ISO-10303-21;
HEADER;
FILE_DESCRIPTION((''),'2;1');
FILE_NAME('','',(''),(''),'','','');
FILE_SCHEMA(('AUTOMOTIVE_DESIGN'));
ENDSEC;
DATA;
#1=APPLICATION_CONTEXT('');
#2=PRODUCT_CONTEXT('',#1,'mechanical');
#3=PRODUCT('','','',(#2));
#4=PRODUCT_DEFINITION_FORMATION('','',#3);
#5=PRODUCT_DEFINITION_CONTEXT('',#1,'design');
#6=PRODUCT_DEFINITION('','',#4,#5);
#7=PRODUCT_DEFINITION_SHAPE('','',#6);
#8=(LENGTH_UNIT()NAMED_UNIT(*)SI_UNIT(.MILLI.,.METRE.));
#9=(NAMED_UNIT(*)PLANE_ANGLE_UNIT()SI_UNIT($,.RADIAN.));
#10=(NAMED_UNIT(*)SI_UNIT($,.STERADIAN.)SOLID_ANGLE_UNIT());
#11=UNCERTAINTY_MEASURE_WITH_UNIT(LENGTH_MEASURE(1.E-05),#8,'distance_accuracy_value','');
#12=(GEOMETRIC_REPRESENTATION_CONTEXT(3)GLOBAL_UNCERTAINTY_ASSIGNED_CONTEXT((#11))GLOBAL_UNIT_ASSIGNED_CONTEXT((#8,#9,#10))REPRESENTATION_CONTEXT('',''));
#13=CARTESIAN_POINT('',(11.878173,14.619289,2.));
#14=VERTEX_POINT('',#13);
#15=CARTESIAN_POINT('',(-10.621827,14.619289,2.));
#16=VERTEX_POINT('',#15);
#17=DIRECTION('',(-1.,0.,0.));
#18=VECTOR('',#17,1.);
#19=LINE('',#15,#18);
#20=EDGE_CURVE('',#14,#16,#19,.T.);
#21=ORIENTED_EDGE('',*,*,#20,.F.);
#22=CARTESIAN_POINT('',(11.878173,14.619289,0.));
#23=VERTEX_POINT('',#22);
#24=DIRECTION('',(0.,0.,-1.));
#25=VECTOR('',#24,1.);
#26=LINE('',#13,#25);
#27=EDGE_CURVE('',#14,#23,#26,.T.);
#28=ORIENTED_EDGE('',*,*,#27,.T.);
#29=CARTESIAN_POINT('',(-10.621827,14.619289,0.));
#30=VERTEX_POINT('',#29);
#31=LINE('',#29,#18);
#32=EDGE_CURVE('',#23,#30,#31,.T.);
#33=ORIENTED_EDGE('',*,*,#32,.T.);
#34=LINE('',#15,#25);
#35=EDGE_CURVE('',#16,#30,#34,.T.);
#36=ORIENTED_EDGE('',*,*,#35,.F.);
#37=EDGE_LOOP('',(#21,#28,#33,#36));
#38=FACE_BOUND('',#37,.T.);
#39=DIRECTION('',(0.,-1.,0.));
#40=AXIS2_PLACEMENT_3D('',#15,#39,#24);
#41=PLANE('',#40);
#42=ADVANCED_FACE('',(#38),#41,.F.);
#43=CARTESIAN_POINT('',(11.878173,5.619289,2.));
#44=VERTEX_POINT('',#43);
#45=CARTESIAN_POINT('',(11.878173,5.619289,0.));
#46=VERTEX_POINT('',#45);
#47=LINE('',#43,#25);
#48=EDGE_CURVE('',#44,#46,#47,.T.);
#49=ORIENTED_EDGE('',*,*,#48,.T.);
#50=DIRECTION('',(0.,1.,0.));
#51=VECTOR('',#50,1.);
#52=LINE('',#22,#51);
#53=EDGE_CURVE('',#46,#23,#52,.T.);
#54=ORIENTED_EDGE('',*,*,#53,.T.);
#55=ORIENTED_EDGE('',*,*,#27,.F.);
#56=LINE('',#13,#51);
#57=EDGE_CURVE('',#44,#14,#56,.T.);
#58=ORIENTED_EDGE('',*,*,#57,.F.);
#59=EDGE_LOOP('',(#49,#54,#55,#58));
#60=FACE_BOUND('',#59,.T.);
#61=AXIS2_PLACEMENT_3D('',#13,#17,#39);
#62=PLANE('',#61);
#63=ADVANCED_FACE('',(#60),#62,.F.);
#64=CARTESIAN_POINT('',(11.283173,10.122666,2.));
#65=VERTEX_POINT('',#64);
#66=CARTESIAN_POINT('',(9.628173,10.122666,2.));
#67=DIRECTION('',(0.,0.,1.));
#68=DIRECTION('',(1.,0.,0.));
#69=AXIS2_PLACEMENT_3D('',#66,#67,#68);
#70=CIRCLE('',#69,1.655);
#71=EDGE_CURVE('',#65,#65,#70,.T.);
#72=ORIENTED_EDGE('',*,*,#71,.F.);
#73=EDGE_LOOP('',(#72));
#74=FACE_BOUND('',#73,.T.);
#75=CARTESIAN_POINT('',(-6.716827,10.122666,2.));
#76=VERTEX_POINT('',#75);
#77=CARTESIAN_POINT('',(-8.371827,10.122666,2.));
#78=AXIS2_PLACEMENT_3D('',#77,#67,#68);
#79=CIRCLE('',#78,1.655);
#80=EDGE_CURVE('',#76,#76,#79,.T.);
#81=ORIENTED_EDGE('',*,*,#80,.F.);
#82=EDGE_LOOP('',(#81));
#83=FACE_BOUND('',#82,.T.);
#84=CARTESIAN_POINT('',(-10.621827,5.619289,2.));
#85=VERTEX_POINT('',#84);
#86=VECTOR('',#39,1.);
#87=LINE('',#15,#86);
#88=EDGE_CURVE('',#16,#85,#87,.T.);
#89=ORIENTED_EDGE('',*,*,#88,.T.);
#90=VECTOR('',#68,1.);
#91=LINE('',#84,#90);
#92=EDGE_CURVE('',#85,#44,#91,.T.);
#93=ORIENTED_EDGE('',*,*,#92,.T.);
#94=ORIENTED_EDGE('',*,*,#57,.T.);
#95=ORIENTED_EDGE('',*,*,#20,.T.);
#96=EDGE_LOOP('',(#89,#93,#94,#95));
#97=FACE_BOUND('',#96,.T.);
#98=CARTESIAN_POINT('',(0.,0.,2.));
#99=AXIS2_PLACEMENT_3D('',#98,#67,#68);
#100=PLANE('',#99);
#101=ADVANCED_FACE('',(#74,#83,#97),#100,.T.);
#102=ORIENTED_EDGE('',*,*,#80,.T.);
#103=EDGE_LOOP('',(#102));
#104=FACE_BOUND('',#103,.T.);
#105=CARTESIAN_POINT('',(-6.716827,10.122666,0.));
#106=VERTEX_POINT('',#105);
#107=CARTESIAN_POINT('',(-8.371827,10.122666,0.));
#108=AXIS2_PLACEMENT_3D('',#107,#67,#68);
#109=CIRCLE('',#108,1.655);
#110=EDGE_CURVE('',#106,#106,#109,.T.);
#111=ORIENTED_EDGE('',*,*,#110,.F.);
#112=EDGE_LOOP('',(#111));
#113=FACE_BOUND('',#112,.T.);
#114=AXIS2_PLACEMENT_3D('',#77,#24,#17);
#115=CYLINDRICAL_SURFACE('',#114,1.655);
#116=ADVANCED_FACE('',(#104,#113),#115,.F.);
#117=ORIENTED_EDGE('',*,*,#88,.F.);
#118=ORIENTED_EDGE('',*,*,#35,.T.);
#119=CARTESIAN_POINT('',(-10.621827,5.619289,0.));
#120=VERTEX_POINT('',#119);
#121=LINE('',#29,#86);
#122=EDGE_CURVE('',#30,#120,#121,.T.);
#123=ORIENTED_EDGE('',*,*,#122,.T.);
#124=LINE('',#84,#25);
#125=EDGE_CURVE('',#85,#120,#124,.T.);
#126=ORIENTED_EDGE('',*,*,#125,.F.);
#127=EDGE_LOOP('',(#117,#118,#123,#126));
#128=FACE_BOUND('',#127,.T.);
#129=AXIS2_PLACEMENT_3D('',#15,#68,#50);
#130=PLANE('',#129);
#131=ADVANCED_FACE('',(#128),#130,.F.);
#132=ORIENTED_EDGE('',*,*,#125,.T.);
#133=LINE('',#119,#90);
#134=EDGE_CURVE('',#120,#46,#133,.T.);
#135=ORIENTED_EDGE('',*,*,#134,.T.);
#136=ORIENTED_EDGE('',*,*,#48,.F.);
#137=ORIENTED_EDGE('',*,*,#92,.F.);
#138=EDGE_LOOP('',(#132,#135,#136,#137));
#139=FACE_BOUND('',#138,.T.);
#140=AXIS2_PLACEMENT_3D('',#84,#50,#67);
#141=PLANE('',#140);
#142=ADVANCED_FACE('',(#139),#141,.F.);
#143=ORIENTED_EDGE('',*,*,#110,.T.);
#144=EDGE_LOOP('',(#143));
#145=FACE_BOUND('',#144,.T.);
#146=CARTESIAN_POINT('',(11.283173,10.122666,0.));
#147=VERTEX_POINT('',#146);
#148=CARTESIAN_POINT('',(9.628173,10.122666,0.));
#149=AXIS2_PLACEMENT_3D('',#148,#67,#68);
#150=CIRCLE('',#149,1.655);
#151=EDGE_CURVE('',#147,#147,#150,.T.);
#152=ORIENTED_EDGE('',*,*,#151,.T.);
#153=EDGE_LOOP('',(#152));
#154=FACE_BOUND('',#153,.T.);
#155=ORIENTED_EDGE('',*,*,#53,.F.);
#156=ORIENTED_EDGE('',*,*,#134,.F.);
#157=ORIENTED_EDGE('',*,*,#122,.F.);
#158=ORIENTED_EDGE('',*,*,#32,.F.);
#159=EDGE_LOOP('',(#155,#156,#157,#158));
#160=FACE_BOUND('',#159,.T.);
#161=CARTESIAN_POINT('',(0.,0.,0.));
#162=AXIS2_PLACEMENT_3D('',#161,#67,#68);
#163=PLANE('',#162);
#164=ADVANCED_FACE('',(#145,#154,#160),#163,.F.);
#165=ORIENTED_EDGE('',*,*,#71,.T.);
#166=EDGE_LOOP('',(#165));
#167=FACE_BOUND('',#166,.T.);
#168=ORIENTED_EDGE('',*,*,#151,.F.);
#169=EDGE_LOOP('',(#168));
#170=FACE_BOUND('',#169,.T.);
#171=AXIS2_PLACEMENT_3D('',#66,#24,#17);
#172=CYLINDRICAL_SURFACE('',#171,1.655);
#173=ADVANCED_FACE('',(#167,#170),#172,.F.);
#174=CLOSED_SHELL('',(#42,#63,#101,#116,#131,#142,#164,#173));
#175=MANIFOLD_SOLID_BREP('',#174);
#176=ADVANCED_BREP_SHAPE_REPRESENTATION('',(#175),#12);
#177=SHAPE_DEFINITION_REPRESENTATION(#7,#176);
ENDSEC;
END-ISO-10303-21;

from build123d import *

# Parameters (mm, degrees)
SKETCH1_W           = 22.5
SKETCH1_H           = 9
SKETCH1_R           = 1.655
BOSS_EXTRUDE1_DEPTH = 2


with BuildPart() as part:
    # Sketch1 → Boss-Extrude1 (new body)
    with BuildSketch(Plane.XY):
        with Locations((0.628172589, 10.11928934)):
            Rectangle(SKETCH1_W, SKETCH1_H)
        with Locations((-8.371827411, 10.122666318)):
            Circle(SKETCH1_R, mode=Mode.SUBTRACT)
        with Locations((9.628172589, 10.122666318)):
            Circle(SKETCH1_R, mode=Mode.SUBTRACT)
    extrude(amount=BOSS_EXTRUDE1_DEPTH)


solid = part.part
